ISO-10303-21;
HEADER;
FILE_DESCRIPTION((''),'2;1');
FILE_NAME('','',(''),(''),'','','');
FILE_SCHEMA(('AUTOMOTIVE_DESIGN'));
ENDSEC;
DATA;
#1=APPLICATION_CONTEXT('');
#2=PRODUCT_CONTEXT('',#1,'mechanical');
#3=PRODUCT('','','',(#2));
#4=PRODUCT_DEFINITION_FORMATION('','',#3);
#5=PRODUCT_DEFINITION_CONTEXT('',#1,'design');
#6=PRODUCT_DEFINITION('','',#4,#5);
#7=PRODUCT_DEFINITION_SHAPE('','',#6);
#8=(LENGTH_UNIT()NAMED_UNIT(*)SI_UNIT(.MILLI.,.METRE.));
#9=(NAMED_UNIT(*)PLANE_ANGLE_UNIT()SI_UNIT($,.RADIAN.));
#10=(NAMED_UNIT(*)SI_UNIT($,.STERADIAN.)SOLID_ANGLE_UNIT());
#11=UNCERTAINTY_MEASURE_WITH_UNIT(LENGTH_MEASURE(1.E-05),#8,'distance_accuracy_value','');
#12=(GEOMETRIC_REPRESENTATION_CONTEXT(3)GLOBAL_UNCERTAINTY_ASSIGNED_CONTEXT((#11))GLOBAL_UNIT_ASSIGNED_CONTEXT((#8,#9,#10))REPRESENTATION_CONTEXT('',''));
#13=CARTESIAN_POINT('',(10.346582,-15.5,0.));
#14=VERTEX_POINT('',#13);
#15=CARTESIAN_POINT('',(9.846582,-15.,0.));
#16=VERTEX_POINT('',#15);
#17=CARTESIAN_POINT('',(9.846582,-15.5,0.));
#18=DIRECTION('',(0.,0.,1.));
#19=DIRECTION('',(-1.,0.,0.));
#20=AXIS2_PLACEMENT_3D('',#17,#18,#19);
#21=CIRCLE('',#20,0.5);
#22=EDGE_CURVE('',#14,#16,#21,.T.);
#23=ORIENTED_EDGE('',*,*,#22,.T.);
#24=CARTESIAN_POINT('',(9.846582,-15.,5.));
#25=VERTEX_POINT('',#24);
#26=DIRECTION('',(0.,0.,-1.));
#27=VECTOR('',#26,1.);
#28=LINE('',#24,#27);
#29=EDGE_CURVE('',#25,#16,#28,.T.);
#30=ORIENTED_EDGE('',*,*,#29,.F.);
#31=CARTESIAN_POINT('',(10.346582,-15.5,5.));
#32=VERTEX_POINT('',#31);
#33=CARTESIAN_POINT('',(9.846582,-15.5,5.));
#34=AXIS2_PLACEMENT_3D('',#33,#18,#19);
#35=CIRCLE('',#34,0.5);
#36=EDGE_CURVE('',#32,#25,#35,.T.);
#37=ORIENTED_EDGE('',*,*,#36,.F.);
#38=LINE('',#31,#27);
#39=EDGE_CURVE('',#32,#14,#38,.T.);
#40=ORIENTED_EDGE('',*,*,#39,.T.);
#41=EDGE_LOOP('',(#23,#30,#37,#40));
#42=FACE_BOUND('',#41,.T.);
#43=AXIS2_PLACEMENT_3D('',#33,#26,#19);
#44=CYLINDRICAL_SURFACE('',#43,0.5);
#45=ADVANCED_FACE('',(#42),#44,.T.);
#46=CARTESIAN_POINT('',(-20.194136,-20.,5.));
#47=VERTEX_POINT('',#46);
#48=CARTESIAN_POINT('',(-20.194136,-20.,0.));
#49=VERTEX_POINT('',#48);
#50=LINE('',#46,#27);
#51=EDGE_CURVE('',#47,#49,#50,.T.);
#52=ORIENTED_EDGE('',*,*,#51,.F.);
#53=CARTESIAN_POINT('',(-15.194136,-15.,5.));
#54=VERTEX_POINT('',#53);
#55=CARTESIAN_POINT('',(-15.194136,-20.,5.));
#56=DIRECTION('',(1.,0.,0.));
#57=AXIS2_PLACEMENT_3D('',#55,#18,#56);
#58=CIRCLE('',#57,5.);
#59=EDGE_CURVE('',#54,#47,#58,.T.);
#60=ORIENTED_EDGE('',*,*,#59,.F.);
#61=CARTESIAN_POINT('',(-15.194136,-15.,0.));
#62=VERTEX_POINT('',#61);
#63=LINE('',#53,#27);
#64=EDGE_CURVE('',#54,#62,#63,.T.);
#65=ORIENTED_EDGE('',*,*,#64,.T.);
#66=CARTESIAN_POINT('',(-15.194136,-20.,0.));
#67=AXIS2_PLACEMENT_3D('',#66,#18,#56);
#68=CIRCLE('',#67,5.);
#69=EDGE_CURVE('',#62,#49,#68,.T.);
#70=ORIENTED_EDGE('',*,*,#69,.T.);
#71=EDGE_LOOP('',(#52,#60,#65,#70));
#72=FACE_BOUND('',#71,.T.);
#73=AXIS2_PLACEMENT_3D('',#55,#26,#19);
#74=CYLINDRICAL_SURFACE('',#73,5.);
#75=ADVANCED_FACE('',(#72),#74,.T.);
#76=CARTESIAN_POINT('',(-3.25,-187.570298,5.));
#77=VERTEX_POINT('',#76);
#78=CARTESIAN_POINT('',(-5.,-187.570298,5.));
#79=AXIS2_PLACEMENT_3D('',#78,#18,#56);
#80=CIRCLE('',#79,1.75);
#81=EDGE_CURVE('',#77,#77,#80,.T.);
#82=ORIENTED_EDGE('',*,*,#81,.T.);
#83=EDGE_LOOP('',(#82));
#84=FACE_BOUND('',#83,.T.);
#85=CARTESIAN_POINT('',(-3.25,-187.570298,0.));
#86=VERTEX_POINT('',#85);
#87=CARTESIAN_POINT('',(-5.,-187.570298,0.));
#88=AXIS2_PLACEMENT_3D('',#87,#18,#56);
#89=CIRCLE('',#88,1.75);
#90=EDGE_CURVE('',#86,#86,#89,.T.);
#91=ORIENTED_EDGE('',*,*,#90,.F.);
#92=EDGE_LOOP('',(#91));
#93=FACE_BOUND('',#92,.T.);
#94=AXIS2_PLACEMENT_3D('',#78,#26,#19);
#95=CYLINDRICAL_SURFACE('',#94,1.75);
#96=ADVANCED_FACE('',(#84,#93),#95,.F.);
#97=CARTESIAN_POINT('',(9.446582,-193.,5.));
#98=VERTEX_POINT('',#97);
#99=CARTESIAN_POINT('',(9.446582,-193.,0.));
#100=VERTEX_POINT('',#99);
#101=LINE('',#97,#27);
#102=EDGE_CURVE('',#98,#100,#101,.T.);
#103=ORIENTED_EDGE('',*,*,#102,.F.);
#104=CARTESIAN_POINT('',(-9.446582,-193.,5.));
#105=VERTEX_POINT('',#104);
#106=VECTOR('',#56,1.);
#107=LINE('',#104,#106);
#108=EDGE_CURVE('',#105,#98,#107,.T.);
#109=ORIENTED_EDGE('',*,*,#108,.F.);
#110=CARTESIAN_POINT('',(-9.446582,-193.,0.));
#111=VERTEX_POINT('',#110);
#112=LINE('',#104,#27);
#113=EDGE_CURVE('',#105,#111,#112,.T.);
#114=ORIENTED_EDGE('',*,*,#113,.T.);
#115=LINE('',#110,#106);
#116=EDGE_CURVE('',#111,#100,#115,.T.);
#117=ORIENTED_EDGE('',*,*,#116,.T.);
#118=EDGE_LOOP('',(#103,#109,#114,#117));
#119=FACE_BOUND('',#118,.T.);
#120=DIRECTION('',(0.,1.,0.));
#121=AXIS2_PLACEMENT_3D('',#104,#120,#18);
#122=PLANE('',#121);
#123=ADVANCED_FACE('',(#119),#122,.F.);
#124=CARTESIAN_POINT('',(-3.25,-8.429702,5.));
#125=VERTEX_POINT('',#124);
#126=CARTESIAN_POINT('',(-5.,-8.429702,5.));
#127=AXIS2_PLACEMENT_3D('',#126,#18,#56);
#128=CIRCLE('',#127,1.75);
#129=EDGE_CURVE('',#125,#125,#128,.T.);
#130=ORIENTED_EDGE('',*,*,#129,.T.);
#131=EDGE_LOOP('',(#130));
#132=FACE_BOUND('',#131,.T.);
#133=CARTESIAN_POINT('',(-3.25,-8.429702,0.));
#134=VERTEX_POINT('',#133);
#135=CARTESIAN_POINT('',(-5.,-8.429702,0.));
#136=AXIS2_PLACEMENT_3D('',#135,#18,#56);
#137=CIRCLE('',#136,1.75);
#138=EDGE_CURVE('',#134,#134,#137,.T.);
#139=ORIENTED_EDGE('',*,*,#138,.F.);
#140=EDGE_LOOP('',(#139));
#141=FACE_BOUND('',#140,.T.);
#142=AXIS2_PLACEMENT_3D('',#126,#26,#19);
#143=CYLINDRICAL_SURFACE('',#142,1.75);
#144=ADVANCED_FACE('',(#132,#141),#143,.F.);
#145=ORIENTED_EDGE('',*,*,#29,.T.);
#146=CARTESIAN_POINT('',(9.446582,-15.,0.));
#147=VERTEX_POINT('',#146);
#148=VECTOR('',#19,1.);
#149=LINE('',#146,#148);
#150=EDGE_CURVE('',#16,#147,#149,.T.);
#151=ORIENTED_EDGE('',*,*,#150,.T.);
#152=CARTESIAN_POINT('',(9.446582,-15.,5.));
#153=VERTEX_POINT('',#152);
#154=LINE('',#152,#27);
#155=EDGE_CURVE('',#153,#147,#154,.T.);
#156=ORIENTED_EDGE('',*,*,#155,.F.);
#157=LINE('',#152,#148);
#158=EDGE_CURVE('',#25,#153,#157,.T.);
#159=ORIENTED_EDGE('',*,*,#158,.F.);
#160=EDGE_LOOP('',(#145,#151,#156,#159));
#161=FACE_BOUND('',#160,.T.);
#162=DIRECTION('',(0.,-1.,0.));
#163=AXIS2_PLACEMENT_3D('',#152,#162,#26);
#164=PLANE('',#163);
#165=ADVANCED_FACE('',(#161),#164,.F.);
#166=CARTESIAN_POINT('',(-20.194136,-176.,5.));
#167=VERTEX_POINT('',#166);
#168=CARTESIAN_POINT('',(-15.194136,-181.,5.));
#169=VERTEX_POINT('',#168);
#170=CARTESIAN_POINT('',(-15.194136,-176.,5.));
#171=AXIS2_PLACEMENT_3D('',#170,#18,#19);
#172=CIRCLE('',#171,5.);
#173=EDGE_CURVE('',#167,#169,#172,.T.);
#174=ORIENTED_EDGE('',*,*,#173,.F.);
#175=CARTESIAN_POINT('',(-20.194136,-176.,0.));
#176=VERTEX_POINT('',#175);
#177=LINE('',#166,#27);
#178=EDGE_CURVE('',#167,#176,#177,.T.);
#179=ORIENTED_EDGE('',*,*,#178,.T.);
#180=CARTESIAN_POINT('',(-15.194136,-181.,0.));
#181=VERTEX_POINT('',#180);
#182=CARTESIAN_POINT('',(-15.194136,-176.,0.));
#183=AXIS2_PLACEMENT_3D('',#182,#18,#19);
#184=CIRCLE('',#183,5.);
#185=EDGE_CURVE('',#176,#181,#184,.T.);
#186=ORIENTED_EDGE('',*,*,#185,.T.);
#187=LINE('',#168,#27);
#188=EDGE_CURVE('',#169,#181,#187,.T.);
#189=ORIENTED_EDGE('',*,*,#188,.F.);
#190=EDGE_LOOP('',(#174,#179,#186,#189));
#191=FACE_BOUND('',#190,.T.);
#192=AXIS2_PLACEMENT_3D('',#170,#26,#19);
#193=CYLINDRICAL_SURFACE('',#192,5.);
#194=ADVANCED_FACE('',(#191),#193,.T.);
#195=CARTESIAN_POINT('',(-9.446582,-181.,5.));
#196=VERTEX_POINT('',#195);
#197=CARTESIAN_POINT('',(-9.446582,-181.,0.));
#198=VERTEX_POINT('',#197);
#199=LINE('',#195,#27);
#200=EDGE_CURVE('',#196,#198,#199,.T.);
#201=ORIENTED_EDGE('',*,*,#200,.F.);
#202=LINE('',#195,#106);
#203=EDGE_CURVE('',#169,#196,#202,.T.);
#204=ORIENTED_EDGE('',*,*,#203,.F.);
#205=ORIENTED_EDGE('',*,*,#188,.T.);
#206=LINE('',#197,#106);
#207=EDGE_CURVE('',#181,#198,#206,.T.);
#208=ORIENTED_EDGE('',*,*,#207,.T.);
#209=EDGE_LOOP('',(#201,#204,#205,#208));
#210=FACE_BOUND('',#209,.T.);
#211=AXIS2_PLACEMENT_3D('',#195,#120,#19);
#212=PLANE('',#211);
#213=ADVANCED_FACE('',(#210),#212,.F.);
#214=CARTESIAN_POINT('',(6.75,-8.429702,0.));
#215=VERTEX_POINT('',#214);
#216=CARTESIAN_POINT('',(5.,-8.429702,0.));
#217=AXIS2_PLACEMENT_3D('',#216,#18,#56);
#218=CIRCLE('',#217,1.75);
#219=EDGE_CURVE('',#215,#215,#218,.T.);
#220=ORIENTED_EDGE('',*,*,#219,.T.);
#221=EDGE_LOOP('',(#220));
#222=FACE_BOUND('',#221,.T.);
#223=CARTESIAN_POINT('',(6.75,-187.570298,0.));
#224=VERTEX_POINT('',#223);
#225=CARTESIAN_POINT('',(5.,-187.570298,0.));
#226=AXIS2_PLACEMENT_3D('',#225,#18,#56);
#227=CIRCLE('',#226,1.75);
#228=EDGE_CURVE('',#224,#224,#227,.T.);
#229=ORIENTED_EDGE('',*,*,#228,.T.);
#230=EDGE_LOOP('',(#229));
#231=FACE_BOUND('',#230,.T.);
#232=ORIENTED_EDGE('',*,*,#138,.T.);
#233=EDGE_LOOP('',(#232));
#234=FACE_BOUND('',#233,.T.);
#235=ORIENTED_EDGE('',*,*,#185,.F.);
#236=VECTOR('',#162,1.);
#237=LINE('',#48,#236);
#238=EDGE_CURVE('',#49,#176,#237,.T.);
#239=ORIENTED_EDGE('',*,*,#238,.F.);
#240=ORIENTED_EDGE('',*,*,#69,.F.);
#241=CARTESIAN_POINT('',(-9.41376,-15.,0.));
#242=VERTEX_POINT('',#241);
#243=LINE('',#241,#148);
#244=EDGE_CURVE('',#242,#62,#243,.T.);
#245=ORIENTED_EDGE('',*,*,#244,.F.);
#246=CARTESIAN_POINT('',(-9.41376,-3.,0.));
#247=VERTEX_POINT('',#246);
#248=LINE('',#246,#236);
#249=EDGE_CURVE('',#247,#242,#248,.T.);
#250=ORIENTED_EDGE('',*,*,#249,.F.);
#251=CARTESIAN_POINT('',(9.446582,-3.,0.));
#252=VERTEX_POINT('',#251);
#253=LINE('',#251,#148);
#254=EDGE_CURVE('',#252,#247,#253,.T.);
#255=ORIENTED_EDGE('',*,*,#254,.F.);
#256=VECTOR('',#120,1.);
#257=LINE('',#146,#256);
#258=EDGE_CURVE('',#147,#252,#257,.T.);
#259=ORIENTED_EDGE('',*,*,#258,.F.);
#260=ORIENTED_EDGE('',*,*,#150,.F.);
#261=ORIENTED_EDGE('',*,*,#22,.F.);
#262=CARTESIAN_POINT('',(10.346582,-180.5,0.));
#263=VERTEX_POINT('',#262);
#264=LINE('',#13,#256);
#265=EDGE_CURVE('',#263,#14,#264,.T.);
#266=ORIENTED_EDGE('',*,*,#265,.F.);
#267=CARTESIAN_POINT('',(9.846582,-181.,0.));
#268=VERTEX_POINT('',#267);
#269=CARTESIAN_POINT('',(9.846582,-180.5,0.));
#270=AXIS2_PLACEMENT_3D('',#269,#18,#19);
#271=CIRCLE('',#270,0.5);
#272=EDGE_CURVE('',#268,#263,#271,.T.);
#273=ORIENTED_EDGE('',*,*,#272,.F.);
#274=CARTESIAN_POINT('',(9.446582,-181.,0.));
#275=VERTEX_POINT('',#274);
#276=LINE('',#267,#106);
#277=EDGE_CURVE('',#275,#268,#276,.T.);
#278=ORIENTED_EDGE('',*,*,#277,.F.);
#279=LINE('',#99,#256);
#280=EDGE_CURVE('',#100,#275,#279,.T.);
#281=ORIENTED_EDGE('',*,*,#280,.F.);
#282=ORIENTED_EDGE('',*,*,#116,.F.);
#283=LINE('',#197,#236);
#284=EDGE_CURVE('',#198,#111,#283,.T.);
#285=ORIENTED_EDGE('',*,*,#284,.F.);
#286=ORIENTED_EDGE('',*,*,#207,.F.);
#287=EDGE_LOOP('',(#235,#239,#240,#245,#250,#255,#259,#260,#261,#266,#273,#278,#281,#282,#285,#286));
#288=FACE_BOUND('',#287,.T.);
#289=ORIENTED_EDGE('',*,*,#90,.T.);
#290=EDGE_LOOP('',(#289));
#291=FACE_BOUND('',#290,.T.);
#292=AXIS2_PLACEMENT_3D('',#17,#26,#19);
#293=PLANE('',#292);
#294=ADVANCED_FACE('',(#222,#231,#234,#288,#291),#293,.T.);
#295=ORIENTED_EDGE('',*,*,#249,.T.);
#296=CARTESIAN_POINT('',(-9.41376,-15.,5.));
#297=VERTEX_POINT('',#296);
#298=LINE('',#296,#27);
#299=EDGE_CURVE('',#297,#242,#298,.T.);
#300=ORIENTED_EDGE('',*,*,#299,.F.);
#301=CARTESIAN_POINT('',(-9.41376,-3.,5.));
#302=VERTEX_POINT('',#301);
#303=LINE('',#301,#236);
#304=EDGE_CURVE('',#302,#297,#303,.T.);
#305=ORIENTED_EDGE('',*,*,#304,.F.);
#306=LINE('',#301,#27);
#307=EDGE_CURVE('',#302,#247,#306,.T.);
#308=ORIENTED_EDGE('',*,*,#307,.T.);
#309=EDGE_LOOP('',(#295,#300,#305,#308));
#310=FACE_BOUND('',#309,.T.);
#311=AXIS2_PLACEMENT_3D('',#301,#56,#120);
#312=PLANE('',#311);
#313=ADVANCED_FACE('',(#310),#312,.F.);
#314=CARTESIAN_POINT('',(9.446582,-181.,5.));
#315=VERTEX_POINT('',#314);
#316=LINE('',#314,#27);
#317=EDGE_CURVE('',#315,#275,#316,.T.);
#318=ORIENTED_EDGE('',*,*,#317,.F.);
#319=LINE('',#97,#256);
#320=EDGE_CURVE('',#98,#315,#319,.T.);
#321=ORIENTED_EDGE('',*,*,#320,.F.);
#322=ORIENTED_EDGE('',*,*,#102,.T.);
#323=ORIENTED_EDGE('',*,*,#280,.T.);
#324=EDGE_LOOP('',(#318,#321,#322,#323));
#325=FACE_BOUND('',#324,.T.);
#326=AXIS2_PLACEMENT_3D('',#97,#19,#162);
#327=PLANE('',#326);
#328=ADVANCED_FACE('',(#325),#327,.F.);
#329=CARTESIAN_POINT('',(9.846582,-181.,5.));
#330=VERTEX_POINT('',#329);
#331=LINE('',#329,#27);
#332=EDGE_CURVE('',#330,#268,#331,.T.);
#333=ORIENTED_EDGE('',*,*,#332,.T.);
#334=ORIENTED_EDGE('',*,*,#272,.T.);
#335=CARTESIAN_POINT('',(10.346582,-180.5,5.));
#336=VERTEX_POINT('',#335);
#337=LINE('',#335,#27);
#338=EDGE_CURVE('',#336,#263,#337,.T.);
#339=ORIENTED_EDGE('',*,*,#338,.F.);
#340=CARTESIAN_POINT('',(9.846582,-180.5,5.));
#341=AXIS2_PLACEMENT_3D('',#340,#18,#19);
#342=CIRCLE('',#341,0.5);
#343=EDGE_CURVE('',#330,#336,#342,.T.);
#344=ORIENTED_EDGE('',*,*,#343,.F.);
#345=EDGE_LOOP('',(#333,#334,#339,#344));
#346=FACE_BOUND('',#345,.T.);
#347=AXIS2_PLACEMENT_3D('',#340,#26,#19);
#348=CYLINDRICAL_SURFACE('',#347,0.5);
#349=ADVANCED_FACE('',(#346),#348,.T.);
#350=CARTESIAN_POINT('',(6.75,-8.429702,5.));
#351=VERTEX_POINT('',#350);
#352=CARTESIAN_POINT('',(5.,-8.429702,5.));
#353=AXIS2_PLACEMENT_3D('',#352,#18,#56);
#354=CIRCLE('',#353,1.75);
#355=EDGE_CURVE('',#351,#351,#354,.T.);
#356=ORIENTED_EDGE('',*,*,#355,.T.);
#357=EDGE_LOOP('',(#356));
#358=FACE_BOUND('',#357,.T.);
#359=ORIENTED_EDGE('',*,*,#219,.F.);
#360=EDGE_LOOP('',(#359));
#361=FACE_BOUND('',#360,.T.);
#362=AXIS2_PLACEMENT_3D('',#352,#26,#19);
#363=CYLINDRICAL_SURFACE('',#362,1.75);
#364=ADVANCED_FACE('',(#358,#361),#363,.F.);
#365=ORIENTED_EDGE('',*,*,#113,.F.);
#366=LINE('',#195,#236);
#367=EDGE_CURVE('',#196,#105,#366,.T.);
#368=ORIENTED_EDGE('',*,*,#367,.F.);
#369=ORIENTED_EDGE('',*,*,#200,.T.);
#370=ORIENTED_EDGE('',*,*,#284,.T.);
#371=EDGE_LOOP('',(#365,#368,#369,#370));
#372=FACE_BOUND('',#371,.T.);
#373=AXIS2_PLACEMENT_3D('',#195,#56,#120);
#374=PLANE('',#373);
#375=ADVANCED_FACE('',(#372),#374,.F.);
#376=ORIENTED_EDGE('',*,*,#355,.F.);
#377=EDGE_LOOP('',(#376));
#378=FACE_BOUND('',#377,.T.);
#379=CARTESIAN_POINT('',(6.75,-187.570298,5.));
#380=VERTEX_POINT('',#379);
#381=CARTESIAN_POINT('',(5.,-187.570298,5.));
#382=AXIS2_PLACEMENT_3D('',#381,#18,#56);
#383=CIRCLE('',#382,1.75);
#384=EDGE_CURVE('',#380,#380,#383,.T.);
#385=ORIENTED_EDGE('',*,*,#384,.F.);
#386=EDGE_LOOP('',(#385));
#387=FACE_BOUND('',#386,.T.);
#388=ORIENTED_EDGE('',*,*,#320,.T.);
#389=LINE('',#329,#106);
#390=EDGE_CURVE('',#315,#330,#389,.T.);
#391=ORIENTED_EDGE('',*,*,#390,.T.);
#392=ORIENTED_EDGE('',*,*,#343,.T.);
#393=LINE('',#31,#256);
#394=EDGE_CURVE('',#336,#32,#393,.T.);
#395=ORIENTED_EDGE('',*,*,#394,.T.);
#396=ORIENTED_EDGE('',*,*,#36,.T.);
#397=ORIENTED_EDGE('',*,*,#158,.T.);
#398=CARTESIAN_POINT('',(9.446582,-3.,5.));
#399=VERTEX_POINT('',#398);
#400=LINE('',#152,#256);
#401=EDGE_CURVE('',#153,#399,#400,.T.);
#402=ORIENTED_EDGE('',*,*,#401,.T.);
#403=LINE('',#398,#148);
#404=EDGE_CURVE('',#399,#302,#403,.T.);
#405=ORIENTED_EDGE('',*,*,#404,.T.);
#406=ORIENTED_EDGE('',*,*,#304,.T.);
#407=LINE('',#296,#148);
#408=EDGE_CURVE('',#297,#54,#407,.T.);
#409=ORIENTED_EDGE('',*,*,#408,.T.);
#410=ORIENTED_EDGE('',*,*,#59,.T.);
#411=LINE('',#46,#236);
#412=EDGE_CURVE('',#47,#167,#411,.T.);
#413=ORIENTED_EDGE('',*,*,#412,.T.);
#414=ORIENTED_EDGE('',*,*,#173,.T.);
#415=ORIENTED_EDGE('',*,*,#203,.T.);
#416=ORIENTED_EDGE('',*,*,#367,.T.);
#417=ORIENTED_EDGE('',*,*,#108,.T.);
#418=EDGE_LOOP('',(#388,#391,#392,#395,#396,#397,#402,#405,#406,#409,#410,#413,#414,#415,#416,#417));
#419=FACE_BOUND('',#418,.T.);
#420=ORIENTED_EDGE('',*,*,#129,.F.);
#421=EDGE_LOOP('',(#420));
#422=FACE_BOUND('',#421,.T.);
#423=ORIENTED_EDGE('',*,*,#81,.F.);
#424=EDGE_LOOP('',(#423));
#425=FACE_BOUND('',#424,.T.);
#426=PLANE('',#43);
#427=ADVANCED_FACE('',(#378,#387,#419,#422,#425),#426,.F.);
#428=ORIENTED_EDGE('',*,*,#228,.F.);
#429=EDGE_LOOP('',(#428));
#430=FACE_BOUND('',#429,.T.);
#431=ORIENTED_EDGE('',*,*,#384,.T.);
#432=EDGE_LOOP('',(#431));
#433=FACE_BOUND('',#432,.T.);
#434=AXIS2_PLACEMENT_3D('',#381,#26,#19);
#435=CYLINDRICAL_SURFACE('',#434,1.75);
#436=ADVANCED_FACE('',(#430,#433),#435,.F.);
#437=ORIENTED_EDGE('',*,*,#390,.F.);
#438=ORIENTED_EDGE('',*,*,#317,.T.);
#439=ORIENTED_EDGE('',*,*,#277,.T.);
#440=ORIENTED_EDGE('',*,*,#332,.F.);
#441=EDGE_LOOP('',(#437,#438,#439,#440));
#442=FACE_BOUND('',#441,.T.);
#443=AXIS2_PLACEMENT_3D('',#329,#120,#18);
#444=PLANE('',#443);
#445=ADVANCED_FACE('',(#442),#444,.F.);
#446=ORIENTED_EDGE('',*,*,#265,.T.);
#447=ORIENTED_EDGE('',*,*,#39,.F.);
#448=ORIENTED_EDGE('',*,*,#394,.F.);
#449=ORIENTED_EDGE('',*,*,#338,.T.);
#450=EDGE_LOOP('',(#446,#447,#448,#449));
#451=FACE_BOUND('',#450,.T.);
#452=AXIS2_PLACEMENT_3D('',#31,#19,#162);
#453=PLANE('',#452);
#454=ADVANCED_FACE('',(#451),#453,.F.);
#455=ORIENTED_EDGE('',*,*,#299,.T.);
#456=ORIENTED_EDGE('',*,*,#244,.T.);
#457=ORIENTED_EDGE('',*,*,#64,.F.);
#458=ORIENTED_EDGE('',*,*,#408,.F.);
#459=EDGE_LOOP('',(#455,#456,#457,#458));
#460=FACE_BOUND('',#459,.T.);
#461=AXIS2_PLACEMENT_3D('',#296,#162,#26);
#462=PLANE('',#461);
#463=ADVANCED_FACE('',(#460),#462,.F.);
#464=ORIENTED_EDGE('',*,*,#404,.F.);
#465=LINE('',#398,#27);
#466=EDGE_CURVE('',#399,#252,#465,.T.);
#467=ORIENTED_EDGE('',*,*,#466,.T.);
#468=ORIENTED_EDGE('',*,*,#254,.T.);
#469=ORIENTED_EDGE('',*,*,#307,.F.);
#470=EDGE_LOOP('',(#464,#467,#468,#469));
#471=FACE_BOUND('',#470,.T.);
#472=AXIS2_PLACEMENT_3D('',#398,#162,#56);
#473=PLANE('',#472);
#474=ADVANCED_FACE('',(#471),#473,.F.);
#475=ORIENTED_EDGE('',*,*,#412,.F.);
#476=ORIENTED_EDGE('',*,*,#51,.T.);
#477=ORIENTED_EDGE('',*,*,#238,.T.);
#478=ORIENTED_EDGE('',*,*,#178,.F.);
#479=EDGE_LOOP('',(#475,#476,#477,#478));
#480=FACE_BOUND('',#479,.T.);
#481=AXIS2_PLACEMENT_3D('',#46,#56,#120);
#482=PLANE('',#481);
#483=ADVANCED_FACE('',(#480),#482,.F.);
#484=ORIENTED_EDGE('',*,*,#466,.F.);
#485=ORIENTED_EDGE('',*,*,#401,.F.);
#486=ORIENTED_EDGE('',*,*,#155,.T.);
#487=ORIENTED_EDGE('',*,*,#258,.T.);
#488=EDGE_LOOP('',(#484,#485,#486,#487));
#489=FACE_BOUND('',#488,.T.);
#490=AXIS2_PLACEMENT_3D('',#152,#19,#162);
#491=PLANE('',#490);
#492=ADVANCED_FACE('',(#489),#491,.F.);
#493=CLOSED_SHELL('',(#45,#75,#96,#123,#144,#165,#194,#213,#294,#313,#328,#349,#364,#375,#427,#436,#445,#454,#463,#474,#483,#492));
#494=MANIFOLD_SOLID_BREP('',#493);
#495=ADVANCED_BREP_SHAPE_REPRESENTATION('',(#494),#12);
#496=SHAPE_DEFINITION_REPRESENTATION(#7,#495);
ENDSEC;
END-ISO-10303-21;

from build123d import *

# Parameters (mm, degrees)
SKETCH1_R           = 1.75
BOSS_EXTRUDE1_DEPTH = 5


with BuildPart() as part:
    # Sketch1 → Boss-Extrude1 (new body)
    with BuildSketch(Plane.XY):
        with BuildLine():
            Line((-20.194136312, -20), (-20.194136312, -176))
            ThreePointArc((-20.194136312, -176), (-18.729670218, -179.535533906), (-15.194136312, -181))
            Line((-15.194136312, -181), (-9.446581599, -181))
            Line((-9.446581599, -181), (-9.446581599, -193))
            Line((-9.446581599, -193), (9.446581599, -193))
            Line((9.446581599, -193), (9.446581599, -181))
            Line((9.446581599, -181), (9.846581599, -181))
            ThreePointArc((9.846581599, -181), (10.200134989, -180.853553391), (10.346581599, -180.5))
            Line((10.346581599, -180.5), (10.346581599, -15.5))
            ThreePointArc((10.346581599, -15.5), (10.200134989, -15.146446609), (9.846581599, -15))
            Line((9.846581599, -15), (9.446581599, -15))
            Line((9.446581599, -15), (9.446581599, -3))
            Line((9.446581599, -3), (-9.413759597, -3))
            Line((-9.413759597, -3), (-9.413759597, -15))
            Line((-9.413759597, -15), (-15.194136312, -15))
            ThreePointArc((-15.194136312, -15), (-18.729670218, -16.464466094), (-20.194136312, -20))
        make_face()
        with Locations((-5, -187.570297721)):
            Circle(SKETCH1_R, mode=Mode.SUBTRACT)
        with Locations((5, -187.570297721)):
            Circle(SKETCH1_R, mode=Mode.SUBTRACT)
        with Locations((-5, -8.429702279)):
            Circle(SKETCH1_R, mode=Mode.SUBTRACT)
        with Locations((5, -8.429702279)):
            Circle(SKETCH1_R, mode=Mode.SUBTRACT)
    extrude(amount=BOSS_EXTRUDE1_DEPTH)


solid = part.part
